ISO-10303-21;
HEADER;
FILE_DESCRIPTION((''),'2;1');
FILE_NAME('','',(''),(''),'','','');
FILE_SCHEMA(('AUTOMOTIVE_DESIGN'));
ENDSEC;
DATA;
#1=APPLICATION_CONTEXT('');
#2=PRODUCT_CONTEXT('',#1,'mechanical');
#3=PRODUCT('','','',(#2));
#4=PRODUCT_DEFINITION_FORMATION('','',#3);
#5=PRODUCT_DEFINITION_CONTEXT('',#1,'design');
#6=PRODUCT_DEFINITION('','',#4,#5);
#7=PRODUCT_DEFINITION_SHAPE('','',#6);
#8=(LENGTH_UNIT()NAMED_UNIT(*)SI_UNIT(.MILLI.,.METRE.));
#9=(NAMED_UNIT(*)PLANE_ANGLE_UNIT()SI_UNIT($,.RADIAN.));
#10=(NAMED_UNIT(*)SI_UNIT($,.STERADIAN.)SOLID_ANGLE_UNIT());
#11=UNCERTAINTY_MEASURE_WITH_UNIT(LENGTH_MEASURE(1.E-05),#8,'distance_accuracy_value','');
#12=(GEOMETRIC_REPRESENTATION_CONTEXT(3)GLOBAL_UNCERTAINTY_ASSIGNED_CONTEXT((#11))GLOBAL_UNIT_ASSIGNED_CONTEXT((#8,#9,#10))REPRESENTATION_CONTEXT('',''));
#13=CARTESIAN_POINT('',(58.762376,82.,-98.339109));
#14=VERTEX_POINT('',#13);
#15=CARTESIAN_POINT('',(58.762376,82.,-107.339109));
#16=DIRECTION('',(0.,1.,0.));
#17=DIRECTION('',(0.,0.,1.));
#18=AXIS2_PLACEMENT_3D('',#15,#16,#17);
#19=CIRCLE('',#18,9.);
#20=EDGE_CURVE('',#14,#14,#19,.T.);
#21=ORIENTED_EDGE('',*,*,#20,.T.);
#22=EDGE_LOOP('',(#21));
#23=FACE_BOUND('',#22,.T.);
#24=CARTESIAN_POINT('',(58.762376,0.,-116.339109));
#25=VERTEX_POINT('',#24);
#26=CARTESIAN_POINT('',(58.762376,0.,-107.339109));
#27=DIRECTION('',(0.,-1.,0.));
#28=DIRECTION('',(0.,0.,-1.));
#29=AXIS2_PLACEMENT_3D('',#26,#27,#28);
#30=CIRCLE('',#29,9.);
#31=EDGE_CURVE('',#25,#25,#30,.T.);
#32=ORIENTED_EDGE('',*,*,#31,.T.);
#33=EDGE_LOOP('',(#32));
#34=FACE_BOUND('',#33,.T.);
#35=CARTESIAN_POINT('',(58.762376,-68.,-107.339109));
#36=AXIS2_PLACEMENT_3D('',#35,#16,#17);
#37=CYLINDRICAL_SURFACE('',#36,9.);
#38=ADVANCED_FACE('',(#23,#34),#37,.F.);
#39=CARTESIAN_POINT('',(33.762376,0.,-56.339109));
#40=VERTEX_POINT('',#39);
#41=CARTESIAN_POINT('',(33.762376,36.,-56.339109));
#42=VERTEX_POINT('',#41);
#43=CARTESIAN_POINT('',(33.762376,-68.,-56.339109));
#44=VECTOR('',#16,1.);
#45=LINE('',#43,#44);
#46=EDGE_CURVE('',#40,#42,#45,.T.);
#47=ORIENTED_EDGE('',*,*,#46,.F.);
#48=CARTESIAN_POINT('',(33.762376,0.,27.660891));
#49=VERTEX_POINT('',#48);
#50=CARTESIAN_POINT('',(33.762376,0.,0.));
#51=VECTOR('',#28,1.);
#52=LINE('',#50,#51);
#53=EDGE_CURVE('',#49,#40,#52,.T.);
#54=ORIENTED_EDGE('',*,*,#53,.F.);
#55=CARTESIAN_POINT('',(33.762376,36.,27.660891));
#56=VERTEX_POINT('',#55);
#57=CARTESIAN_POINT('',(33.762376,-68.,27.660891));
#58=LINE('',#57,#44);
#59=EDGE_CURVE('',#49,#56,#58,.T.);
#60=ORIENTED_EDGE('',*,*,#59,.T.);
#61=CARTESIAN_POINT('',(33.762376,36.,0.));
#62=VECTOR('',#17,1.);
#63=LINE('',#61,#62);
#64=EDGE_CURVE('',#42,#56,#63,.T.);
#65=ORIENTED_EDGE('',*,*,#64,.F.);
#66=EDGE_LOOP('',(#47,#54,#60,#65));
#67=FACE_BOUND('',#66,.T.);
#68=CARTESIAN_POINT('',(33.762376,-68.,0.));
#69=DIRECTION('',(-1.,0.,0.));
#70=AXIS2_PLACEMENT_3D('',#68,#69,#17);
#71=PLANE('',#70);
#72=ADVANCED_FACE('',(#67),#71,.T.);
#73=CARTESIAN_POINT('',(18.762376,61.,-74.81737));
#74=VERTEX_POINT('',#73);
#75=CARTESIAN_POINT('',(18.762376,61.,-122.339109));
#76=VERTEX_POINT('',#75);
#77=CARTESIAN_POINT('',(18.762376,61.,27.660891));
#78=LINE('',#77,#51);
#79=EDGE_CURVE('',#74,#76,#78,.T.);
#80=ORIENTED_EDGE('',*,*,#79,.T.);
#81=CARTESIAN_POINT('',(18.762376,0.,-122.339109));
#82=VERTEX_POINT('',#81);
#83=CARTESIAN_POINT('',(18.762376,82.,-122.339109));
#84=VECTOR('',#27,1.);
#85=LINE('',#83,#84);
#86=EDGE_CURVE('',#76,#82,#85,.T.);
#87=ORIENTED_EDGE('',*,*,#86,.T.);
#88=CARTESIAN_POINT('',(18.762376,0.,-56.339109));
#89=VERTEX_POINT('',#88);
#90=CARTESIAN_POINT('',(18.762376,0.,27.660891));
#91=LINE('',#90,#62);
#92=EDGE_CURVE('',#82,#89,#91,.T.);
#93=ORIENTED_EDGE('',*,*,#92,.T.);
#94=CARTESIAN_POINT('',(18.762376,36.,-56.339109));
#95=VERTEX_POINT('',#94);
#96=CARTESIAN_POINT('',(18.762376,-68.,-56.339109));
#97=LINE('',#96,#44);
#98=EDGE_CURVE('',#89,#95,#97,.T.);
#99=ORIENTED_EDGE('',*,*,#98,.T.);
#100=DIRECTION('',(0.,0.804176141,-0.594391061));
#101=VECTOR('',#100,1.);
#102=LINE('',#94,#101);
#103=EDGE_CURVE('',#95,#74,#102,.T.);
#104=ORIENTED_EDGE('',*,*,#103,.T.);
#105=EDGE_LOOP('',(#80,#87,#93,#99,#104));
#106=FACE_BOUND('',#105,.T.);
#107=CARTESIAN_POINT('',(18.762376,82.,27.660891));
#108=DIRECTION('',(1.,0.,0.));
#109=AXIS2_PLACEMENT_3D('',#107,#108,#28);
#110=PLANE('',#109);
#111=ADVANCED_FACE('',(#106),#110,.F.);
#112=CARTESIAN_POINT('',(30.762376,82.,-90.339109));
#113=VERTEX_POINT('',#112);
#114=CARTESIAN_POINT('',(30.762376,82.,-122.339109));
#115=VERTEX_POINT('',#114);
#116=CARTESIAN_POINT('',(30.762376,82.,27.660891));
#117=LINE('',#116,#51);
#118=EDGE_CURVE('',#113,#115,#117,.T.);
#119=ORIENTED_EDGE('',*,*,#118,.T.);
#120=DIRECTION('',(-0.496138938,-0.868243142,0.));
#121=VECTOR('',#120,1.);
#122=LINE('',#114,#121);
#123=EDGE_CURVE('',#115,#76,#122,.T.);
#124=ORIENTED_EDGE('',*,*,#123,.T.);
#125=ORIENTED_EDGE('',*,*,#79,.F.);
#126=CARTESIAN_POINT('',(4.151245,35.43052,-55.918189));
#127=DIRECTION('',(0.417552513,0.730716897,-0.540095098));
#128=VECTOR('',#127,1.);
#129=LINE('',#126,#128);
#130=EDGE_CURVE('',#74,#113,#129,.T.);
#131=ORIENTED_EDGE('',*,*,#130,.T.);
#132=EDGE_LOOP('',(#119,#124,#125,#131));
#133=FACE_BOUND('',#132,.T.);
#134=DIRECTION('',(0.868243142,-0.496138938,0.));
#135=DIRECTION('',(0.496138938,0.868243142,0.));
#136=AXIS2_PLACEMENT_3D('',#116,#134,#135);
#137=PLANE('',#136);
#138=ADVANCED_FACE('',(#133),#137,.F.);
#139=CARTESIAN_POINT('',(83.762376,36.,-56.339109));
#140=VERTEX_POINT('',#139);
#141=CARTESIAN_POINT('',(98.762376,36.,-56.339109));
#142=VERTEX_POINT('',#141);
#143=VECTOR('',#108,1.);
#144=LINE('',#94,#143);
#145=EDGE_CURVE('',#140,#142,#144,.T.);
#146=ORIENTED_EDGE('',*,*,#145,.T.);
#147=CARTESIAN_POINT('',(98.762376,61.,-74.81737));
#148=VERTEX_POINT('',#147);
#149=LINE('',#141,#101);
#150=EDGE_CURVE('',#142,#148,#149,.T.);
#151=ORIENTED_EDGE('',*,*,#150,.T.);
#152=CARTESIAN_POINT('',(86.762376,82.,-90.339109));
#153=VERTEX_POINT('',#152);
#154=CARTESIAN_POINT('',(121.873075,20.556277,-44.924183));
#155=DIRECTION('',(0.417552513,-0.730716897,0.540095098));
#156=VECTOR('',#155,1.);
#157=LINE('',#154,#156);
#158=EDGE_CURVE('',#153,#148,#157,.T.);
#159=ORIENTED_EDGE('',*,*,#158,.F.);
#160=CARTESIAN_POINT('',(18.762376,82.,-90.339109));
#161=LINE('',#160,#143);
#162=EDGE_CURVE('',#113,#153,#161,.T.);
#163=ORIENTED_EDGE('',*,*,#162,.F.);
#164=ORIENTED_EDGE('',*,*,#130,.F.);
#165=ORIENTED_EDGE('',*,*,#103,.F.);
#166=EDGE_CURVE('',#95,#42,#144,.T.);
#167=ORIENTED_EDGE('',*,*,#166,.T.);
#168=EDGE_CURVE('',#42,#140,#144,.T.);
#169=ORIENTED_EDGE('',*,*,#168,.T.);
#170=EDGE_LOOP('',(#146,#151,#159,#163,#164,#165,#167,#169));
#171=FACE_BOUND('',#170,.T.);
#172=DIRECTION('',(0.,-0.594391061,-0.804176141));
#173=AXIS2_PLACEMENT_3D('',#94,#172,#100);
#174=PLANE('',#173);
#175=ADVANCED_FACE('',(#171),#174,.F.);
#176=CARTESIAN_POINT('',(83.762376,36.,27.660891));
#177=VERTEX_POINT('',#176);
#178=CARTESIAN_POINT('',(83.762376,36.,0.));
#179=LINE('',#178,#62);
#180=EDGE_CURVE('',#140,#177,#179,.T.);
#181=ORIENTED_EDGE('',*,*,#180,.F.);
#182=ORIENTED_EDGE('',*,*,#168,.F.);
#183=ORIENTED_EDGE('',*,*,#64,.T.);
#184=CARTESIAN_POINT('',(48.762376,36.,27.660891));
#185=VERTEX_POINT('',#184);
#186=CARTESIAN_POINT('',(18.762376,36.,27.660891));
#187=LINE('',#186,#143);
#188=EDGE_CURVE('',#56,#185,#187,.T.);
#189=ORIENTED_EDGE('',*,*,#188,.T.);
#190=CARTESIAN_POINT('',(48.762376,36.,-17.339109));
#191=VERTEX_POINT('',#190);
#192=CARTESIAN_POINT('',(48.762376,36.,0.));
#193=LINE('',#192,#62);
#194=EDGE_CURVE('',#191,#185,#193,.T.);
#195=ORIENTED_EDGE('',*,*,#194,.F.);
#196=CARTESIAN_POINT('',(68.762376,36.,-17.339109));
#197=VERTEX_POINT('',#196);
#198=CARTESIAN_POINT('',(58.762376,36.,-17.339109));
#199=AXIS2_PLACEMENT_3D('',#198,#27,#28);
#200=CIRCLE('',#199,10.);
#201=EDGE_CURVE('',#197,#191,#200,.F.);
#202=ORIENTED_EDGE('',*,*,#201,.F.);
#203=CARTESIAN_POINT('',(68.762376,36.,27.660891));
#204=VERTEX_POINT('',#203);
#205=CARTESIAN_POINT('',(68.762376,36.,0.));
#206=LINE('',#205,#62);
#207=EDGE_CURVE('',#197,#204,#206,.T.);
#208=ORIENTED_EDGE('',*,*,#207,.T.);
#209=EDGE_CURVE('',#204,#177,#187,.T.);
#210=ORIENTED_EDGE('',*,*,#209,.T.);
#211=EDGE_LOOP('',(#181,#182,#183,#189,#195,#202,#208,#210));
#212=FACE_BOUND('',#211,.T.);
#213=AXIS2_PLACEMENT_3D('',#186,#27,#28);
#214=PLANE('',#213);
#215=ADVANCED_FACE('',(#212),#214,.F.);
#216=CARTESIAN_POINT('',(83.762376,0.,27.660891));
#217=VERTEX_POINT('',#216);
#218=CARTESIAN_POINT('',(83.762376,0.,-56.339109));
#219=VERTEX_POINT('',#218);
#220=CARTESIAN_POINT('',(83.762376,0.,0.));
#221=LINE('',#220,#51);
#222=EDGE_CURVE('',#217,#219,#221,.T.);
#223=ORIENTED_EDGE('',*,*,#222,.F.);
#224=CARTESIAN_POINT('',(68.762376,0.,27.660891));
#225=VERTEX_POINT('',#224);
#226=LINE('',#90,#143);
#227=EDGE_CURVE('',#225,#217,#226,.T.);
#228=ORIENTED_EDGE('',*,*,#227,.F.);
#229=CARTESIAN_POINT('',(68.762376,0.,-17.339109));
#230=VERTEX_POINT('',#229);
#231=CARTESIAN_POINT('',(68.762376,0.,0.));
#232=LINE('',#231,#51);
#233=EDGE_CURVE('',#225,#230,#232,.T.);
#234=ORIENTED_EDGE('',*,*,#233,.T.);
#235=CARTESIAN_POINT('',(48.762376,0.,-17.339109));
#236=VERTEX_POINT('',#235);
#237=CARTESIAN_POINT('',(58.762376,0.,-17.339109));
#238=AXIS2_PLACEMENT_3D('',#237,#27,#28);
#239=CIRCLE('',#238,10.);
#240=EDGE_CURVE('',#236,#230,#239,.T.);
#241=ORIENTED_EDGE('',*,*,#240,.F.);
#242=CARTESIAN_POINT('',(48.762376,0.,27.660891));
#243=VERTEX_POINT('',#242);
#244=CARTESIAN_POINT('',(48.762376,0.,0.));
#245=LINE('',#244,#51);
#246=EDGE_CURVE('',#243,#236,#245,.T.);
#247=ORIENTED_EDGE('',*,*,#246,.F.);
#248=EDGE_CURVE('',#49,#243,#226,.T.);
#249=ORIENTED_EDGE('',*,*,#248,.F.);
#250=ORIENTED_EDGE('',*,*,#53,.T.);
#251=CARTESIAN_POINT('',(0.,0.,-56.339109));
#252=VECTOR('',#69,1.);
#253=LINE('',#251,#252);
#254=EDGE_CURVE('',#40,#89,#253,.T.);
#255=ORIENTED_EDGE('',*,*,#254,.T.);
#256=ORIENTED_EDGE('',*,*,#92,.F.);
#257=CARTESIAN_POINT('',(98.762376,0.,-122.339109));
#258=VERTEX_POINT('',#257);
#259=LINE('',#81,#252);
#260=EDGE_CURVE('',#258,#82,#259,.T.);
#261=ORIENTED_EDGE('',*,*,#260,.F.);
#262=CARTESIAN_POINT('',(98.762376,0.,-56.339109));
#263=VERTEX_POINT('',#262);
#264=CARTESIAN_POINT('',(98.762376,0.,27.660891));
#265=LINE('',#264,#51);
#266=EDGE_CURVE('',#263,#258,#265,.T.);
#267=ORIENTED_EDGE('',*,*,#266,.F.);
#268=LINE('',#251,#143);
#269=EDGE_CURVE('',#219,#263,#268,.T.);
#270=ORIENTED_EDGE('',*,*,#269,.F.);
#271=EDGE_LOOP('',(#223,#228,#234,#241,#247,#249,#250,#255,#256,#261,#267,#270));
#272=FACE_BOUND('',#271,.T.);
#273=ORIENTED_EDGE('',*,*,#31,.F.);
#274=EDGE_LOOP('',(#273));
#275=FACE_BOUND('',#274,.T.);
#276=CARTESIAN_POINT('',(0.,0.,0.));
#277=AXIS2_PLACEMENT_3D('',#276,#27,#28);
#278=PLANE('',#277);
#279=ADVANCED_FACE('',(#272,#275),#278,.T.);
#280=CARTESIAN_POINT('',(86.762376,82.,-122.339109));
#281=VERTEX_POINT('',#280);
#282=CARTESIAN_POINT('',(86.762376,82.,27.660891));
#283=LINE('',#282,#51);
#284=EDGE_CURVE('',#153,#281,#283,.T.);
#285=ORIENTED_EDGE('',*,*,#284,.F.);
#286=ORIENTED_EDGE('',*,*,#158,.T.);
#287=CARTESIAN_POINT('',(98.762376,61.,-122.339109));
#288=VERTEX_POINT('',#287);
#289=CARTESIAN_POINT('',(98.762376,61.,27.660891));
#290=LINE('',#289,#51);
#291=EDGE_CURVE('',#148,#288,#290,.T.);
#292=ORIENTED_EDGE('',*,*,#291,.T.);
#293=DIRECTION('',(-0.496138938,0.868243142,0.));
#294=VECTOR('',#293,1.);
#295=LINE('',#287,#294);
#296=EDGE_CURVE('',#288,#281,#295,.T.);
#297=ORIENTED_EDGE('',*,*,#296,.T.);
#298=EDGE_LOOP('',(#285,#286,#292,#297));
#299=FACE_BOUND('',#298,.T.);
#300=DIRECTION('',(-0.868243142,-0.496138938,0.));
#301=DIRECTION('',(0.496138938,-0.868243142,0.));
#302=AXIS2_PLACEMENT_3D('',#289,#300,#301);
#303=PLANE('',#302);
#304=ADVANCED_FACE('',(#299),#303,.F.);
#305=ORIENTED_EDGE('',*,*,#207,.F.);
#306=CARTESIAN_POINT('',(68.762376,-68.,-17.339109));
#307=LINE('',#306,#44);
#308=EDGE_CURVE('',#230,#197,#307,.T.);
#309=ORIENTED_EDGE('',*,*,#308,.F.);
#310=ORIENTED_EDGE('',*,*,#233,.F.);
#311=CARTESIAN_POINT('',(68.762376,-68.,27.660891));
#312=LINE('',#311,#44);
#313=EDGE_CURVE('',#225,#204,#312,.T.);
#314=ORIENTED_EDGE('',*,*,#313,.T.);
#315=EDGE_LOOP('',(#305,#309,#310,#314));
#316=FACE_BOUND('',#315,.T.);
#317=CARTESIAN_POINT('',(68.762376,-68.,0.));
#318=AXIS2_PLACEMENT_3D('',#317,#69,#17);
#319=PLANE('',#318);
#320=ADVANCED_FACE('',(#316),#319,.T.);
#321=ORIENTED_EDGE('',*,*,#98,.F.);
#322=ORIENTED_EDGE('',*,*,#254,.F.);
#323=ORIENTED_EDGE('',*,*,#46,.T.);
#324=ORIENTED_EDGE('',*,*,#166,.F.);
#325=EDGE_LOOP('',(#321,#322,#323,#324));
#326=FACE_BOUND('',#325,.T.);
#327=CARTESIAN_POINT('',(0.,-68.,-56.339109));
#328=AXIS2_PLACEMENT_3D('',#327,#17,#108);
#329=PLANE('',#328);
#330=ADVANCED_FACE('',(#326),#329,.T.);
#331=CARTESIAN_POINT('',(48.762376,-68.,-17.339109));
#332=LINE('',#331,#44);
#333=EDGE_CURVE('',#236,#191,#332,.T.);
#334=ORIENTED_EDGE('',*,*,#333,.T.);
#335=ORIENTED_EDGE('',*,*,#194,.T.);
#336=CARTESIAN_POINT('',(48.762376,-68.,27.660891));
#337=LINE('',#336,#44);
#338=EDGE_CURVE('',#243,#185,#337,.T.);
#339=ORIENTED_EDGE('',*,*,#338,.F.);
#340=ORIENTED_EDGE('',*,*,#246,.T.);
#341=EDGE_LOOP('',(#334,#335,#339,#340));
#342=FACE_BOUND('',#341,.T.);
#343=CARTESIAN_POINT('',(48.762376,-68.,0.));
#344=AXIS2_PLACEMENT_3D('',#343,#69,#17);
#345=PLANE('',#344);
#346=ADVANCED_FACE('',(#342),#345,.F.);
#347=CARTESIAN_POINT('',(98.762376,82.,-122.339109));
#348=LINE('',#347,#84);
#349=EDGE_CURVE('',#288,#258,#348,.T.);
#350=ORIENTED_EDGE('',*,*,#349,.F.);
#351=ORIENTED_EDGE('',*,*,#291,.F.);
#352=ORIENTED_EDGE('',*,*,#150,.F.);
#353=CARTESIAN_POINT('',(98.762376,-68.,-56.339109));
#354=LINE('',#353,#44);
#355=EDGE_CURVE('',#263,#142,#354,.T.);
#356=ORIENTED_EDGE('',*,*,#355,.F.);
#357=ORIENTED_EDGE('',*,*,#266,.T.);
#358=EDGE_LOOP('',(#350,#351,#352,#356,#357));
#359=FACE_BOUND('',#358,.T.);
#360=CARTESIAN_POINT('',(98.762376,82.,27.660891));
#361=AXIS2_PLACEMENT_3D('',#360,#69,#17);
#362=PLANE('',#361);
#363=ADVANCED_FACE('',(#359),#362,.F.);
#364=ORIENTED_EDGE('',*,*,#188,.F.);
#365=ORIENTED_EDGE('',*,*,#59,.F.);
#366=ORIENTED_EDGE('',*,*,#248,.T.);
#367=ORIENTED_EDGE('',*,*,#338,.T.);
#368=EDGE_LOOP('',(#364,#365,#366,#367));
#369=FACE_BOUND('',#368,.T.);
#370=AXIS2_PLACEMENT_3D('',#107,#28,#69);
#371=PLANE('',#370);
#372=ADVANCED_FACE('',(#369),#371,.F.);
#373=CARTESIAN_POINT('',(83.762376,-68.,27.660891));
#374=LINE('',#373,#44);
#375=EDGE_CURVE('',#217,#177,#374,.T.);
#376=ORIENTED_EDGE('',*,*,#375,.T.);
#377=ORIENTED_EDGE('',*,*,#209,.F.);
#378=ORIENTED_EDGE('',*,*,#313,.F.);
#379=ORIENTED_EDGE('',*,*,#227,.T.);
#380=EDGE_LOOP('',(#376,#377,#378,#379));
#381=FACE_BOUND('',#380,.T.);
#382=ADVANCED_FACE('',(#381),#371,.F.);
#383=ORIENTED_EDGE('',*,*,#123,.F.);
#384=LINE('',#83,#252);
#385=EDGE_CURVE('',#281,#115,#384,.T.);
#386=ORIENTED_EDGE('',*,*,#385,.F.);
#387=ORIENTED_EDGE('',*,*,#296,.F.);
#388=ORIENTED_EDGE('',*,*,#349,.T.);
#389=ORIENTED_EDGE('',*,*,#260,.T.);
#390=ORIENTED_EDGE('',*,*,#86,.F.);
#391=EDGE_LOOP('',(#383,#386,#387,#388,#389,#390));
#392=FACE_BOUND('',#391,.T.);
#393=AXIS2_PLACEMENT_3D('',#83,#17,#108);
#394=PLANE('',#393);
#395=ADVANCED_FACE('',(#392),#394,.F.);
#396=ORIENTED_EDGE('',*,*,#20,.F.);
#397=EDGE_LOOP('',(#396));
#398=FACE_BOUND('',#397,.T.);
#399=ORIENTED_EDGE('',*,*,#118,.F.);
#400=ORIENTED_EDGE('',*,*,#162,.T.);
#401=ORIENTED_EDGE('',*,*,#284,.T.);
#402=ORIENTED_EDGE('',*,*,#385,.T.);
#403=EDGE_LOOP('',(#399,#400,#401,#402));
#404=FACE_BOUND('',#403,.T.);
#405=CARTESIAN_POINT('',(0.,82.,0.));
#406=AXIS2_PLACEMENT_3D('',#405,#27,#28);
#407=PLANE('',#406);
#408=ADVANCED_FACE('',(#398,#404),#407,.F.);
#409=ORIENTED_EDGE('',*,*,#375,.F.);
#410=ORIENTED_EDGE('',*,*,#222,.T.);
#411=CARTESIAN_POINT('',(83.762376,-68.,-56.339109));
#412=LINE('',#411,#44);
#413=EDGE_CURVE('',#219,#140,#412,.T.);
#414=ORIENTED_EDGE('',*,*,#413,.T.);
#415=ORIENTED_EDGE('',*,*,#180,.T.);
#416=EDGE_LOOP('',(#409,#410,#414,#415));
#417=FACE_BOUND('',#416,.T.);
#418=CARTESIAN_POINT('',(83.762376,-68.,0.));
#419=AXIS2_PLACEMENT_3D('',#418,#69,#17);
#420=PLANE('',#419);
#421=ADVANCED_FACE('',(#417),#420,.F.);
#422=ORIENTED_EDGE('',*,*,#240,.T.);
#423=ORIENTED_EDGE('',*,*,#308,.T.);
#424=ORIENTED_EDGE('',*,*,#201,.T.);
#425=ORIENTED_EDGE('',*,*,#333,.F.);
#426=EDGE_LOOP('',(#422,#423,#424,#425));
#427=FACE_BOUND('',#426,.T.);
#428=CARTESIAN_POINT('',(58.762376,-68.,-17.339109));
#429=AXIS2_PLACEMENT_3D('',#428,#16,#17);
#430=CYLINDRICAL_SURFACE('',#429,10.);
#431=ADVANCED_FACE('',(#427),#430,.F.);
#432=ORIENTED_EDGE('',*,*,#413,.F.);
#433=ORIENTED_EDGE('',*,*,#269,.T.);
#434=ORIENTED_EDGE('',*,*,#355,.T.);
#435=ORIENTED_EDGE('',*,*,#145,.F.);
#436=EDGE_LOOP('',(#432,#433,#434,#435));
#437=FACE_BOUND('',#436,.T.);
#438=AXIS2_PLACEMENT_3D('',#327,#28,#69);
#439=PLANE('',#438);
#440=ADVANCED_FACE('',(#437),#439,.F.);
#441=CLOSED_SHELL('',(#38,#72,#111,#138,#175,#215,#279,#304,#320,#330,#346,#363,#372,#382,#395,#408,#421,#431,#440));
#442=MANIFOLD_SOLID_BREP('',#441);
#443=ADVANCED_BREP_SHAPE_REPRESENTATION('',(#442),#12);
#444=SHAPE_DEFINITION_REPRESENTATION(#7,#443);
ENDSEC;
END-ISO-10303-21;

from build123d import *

# Parameters (mm, degrees)
CROQUIS1_W              = 80
CROQUIS1_H              = 150
SALIENTE_EXTRUIR1_DEPTH = 82
CORTAR_EXTRUIR1_DEPTH   = 150
CROQUIS3_R              = 9
CROQUIS3_W              = 12
CROQUIS3_H              = 84
CROQUIS3_W_2            = 3
CORTAR_EXTRUIR2_DEPTH   = 150
CORTAR_EXTRUIR3_DEPTH   = 80


with BuildPart() as part:
    # Croquis1 → Saliente-Extruir1 (new body)
    with BuildSketch(Plane(origin=(0, 0, 0), x_dir=(1, 0, 0), z_dir=(0, 1, 0))):
        with Locations((58.762376238, 47.339108911)):
            Rectangle(CROQUIS1_W, CROQUIS1_H)
    extrude(amount=SALIENTE_EXTRUIR1_DEPTH)

    # Croquis2 → Cortar-Extruir1 (cut)
    with BuildSketch(Plane(origin=(0, 0, -122.339108911), x_dir=(-1, 0, 0), z_dir=(0, 0, -1))):
        Polygon((-98.762376238, 82), (-98.762376238, 61), (-86.762376238, 82), align=None)
        Polygon((-18.762376238, 82), (-30.762376238, 82), (-18.762376238, 61), align=None)
    extrude(amount=-CORTAR_EXTRUIR1_DEPTH, mode=Mode.SUBTRACT)

    # Croquis3 → Cortar-Extruir2 (cut)
    with BuildSketch(Plane(origin=(0, 82, 0), x_dir=(1, 0, 0), z_dir=(0, 1, 0))):
        with Locations((58.762376238, 107.339108911)):
            Circle(CROQUIS3_R)
        with BuildLine():
            ThreePointArc((68.762376238, 17.339108911), (58.762376238, 27.339108911), (48.762376238, 17.339108911))
            Line((48.762376238, 17.339108911), (48.762376238, -27.660891089))
            Line((48.762376238, -27.660891089), (68.762376238, -27.660891089))
            Line((68.762376238, -27.660891089), (68.762376238, 17.339108911))
        make_face()
        with Locations((24.762376238, 14.339108911)):
            Rectangle(CROQUIS3_W, CROQUIS3_H)
        with Locations((32.262376238, 14.339108911)):
            Rectangle(CROQUIS3_W_2, CROQUIS3_H)
        with Locations((92.762376238, 14.339108911)):
            Rectangle(CROQUIS3_W, CROQUIS3_H)
        with Locations((85.262376238, 14.339108911)):
            Rectangle(CROQUIS3_W_2, CROQUIS3_H)
    extrude(amount=-CORTAR_EXTRUIR2_DEPTH, mode=Mode.SUBTRACT)

    # Croquis4 → Cortar-Extruir3 (cut)
    with BuildSketch(Plane(origin=(98.762376238, 0, 0), x_dir=(0, 0, -1), z_dir=(1, 0, 0))):
        Polygon((-27.660891089, 36), (56.339108911, 36), (90.339108911, 82), (-27.660891089, 82), align=None)
    extrude(amount=-CORTAR_EXTRUIR3_DEPTH, mode=Mode.SUBTRACT)


solid = part.part
